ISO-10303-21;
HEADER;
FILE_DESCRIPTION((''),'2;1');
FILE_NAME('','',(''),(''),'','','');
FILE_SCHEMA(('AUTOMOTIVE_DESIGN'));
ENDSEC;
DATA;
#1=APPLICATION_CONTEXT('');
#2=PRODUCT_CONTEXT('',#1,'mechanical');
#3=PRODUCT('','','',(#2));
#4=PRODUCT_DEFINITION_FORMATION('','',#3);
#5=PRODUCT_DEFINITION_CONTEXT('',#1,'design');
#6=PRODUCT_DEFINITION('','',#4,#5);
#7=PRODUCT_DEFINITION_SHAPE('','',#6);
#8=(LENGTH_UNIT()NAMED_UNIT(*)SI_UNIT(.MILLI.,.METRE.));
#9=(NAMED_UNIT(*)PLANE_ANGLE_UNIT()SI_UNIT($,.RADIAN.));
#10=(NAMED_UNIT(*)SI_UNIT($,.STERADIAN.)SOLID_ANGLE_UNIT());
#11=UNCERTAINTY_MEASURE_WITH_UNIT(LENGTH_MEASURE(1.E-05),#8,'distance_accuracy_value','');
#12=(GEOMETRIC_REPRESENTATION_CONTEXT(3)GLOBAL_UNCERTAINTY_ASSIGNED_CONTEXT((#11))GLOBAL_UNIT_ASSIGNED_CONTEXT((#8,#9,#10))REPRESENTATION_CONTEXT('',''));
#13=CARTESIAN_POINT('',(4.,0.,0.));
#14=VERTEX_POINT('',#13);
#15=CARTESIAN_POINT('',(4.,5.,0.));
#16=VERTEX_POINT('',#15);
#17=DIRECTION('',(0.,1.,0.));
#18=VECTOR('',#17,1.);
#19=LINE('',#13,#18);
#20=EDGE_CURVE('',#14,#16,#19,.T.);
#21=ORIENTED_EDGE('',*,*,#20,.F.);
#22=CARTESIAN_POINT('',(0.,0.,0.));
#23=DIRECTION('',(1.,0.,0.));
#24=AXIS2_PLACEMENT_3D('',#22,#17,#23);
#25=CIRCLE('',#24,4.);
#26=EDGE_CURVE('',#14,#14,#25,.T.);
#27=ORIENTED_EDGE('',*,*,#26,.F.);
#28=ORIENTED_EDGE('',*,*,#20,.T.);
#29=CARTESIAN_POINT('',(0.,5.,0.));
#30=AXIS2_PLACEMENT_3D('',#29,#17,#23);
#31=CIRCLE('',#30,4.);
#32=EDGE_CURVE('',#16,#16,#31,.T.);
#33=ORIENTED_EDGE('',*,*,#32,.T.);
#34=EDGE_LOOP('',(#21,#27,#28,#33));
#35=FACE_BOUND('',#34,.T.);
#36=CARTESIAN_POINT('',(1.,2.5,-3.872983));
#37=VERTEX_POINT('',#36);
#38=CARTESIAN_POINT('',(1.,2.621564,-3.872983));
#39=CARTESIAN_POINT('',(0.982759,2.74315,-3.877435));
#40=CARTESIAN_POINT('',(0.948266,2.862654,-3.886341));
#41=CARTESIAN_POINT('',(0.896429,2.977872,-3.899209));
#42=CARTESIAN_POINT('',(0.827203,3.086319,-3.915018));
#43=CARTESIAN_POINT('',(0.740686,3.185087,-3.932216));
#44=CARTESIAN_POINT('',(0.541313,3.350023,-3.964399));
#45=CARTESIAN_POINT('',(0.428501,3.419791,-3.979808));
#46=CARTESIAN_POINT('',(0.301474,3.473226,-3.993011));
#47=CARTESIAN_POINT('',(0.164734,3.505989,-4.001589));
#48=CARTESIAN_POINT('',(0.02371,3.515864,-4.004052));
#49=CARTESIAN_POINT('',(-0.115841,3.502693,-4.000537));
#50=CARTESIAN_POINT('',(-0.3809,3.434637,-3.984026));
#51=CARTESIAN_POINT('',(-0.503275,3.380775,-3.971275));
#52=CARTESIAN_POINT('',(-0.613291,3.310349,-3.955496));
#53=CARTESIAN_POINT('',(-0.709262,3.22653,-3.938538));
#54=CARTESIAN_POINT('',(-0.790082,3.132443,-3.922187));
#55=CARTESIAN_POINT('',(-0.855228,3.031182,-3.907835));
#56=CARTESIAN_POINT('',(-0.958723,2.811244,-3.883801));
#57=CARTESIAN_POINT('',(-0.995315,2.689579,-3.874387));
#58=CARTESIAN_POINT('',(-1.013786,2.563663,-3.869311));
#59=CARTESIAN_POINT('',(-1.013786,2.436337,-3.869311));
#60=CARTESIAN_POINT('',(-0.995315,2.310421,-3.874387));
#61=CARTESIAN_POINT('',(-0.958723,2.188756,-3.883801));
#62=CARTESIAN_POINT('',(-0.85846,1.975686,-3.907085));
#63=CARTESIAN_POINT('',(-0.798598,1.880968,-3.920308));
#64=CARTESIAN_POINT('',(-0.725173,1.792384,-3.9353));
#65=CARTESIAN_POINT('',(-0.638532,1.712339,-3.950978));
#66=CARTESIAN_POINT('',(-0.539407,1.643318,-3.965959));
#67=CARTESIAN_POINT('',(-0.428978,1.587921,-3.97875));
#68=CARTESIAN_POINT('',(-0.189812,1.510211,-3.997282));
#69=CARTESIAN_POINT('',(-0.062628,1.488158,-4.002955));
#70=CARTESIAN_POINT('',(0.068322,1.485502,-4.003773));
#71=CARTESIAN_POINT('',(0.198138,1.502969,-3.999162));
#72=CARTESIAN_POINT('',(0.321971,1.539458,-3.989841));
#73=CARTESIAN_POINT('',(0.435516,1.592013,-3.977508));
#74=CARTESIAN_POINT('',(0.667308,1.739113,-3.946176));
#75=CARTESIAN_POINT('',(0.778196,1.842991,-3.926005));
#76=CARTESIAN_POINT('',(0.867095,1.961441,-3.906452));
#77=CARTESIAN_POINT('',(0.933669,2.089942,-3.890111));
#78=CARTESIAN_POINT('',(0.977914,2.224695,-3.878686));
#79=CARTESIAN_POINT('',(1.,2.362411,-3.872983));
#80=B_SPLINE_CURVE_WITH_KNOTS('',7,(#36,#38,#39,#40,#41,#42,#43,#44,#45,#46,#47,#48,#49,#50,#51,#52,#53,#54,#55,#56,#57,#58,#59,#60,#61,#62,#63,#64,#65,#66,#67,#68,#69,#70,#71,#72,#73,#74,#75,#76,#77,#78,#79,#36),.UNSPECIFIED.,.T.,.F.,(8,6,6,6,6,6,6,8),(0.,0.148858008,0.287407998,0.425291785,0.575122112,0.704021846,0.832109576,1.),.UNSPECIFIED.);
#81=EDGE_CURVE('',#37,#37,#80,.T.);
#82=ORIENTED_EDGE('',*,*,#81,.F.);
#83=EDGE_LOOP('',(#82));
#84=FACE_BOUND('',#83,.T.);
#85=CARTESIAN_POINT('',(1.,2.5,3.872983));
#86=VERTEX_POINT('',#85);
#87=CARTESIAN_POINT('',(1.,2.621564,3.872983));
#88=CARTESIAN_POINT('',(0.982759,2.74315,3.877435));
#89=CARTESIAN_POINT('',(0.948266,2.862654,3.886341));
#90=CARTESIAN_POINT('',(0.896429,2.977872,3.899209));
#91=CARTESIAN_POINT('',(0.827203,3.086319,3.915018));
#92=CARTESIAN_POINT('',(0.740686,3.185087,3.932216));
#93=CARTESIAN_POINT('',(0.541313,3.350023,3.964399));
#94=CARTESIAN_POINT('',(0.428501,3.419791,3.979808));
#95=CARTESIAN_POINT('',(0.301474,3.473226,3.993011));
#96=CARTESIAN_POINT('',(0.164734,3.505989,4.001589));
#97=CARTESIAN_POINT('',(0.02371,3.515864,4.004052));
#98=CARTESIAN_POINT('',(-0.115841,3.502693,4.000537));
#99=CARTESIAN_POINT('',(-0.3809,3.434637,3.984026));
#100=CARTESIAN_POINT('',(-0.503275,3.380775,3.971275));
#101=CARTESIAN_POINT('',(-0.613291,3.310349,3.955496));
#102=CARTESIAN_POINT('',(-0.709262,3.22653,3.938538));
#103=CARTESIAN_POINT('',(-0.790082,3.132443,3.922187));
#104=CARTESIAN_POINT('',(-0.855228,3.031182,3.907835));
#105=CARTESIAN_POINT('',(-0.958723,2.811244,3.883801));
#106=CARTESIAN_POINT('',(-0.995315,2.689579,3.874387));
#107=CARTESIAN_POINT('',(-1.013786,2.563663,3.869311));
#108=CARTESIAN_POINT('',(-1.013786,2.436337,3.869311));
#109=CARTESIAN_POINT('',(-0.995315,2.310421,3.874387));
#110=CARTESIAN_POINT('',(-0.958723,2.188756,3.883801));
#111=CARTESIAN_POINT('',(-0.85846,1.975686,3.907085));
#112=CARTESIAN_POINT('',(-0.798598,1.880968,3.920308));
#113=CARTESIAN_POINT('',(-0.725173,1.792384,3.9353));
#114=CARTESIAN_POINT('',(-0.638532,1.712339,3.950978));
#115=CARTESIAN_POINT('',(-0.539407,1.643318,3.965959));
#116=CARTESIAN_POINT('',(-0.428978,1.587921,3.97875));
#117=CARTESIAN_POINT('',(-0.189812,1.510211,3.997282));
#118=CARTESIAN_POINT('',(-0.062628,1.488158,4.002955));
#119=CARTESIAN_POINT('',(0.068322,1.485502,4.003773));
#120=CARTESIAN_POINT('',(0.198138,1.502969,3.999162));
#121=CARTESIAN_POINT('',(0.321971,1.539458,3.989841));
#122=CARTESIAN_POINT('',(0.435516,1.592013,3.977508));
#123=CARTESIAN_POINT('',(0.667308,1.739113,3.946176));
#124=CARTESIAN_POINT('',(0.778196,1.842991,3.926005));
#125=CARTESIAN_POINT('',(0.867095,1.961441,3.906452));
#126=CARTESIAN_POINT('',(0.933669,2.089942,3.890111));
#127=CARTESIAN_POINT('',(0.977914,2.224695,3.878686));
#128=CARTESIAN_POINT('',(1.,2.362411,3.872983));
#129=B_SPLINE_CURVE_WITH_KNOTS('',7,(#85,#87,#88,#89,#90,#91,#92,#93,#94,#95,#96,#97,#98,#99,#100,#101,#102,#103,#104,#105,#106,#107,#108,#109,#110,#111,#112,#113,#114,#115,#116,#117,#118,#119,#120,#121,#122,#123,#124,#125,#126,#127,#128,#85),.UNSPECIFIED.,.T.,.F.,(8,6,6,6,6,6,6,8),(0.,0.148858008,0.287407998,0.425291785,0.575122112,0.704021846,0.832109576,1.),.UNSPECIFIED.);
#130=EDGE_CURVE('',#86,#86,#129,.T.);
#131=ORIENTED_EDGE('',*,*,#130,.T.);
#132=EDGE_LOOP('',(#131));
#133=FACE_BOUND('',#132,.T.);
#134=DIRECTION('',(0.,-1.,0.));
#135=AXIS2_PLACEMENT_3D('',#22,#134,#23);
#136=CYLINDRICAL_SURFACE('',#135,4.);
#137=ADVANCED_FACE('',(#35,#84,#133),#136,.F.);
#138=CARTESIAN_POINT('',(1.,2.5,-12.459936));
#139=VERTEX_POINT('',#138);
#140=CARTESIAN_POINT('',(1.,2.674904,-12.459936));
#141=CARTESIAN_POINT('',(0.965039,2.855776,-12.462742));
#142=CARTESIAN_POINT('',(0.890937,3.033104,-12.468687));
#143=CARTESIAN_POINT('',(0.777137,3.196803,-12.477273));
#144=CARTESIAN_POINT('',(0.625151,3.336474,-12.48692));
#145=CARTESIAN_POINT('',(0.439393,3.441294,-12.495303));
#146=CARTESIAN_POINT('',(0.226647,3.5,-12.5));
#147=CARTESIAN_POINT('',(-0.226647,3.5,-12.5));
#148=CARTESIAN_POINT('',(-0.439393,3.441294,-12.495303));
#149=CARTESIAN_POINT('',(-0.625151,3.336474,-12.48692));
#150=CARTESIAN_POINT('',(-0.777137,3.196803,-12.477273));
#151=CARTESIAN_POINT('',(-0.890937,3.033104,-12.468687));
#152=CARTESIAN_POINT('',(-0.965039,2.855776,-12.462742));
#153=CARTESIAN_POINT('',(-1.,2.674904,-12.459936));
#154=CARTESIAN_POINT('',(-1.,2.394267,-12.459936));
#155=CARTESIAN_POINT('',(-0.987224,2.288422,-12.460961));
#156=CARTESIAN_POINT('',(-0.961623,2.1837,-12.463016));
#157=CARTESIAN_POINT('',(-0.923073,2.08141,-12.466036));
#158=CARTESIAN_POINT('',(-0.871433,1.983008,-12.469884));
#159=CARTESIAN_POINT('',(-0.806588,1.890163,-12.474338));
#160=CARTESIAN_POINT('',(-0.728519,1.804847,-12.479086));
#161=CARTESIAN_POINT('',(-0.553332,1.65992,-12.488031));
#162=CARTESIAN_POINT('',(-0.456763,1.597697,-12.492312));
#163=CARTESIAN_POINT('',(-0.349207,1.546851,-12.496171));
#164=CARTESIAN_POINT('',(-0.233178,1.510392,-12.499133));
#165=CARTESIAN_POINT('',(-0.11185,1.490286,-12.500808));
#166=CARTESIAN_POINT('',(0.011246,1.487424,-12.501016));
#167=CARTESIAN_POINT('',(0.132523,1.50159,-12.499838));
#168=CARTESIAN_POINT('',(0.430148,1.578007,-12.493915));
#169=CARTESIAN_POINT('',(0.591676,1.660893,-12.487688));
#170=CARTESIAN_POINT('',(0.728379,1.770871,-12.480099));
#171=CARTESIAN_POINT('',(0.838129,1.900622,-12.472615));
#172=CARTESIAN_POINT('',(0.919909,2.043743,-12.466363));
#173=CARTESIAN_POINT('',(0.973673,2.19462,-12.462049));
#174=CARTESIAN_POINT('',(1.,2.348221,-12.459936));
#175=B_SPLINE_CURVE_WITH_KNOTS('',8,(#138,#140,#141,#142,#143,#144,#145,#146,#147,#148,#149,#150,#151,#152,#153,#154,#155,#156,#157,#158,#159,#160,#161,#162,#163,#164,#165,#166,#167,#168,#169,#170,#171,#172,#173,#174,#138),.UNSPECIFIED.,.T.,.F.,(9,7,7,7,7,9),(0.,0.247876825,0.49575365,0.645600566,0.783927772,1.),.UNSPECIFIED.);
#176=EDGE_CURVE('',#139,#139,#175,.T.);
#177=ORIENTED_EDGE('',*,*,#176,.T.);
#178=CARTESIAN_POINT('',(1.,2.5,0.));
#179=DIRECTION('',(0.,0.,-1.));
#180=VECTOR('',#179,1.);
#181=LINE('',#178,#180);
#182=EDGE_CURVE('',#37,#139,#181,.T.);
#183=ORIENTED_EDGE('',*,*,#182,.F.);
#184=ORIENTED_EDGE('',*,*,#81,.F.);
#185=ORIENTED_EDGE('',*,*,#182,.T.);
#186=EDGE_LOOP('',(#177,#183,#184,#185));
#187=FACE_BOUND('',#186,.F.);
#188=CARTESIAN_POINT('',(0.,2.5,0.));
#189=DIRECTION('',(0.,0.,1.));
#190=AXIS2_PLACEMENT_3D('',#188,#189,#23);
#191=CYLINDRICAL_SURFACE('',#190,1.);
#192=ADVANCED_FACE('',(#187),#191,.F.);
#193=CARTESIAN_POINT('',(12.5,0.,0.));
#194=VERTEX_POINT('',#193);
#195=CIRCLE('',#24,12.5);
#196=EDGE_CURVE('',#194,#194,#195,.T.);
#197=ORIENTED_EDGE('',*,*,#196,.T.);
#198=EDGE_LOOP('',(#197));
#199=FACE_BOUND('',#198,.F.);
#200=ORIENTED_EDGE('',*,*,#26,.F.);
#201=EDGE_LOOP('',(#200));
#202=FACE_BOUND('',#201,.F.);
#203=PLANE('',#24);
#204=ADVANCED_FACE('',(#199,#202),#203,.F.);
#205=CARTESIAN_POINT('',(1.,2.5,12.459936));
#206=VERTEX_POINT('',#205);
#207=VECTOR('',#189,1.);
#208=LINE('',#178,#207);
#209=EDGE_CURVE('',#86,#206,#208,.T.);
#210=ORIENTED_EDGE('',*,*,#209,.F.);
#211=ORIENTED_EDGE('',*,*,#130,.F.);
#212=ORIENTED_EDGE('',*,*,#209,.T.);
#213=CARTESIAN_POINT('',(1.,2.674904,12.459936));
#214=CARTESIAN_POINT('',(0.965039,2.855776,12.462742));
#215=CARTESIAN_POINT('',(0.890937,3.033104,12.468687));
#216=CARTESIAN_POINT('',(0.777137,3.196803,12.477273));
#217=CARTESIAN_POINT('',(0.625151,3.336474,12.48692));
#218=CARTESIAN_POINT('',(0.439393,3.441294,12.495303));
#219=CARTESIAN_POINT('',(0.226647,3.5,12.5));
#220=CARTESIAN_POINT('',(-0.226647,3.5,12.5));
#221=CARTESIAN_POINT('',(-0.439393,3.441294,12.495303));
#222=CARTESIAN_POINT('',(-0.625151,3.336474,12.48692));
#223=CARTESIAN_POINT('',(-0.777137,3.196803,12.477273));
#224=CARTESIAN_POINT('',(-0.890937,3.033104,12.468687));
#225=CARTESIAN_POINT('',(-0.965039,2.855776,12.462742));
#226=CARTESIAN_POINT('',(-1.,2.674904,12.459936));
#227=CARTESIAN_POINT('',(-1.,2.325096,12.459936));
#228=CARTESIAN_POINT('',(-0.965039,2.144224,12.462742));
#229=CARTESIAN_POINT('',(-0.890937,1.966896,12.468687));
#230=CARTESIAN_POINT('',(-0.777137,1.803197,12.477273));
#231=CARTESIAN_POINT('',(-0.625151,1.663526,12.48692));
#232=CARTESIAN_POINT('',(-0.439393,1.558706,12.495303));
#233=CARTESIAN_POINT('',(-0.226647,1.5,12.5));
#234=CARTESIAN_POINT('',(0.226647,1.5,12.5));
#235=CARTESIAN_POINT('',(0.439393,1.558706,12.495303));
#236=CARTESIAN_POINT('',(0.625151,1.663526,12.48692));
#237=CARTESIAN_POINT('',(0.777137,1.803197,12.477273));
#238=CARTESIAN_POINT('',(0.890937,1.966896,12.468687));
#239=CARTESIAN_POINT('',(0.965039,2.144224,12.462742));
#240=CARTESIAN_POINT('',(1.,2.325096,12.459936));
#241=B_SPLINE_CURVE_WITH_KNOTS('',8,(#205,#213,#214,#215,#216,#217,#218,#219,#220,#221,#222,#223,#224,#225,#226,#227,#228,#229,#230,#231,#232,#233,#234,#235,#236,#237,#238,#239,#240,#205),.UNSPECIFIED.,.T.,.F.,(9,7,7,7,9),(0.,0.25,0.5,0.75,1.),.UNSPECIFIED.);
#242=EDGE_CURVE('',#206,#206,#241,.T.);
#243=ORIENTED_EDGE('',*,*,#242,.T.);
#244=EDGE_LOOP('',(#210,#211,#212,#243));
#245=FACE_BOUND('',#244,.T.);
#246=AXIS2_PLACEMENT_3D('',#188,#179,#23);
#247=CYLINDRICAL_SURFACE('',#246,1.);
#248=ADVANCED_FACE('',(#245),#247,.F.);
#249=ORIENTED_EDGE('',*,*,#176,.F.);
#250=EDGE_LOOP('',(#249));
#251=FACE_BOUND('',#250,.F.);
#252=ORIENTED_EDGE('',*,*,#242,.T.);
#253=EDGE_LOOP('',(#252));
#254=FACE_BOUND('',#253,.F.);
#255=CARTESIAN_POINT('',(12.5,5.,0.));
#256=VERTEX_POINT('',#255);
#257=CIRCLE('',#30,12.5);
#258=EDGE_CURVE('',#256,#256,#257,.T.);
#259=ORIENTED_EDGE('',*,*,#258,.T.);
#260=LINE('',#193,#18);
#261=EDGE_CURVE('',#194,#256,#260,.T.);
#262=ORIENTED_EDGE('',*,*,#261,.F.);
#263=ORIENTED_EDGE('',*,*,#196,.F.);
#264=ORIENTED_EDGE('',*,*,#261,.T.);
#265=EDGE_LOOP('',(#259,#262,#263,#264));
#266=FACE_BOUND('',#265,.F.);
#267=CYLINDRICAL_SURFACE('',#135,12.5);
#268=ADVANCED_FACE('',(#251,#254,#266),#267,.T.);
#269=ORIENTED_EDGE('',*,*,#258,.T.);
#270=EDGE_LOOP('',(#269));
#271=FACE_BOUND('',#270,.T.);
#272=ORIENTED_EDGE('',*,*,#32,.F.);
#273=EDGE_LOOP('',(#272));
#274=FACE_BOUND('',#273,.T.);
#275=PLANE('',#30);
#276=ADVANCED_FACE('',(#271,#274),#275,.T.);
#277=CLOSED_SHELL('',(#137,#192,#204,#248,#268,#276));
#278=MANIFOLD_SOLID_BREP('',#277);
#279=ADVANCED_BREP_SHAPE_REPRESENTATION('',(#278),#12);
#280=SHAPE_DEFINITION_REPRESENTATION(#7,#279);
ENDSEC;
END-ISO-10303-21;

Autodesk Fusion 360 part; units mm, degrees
sketch "Eskiz1" plane through (0, 0, 0) normal (0, 1, 0) x (1, 0, 0)
  circle A0 centre (0, 0) radius 12.5
  circle A1 centre (0, 0) radius 4
  dimension "d1" = 25
  dimension "d2" = 8
extrude "Ekstrüde Et1" add sketch "Eskiz1" along normal blind 5
sketch "Eskiz2" plane through (0, 0, 0) normal (0, 0, 1) x (1, 0, 0)
  circle A0 centre (0, 2.5) radius 1
  dimension "d5" = 2
  dimension "d6" = 2.5
extrude "Ekstrüde Et2" cut sketch "Eskiz2" along normal blind 17 and the other way blind 18
